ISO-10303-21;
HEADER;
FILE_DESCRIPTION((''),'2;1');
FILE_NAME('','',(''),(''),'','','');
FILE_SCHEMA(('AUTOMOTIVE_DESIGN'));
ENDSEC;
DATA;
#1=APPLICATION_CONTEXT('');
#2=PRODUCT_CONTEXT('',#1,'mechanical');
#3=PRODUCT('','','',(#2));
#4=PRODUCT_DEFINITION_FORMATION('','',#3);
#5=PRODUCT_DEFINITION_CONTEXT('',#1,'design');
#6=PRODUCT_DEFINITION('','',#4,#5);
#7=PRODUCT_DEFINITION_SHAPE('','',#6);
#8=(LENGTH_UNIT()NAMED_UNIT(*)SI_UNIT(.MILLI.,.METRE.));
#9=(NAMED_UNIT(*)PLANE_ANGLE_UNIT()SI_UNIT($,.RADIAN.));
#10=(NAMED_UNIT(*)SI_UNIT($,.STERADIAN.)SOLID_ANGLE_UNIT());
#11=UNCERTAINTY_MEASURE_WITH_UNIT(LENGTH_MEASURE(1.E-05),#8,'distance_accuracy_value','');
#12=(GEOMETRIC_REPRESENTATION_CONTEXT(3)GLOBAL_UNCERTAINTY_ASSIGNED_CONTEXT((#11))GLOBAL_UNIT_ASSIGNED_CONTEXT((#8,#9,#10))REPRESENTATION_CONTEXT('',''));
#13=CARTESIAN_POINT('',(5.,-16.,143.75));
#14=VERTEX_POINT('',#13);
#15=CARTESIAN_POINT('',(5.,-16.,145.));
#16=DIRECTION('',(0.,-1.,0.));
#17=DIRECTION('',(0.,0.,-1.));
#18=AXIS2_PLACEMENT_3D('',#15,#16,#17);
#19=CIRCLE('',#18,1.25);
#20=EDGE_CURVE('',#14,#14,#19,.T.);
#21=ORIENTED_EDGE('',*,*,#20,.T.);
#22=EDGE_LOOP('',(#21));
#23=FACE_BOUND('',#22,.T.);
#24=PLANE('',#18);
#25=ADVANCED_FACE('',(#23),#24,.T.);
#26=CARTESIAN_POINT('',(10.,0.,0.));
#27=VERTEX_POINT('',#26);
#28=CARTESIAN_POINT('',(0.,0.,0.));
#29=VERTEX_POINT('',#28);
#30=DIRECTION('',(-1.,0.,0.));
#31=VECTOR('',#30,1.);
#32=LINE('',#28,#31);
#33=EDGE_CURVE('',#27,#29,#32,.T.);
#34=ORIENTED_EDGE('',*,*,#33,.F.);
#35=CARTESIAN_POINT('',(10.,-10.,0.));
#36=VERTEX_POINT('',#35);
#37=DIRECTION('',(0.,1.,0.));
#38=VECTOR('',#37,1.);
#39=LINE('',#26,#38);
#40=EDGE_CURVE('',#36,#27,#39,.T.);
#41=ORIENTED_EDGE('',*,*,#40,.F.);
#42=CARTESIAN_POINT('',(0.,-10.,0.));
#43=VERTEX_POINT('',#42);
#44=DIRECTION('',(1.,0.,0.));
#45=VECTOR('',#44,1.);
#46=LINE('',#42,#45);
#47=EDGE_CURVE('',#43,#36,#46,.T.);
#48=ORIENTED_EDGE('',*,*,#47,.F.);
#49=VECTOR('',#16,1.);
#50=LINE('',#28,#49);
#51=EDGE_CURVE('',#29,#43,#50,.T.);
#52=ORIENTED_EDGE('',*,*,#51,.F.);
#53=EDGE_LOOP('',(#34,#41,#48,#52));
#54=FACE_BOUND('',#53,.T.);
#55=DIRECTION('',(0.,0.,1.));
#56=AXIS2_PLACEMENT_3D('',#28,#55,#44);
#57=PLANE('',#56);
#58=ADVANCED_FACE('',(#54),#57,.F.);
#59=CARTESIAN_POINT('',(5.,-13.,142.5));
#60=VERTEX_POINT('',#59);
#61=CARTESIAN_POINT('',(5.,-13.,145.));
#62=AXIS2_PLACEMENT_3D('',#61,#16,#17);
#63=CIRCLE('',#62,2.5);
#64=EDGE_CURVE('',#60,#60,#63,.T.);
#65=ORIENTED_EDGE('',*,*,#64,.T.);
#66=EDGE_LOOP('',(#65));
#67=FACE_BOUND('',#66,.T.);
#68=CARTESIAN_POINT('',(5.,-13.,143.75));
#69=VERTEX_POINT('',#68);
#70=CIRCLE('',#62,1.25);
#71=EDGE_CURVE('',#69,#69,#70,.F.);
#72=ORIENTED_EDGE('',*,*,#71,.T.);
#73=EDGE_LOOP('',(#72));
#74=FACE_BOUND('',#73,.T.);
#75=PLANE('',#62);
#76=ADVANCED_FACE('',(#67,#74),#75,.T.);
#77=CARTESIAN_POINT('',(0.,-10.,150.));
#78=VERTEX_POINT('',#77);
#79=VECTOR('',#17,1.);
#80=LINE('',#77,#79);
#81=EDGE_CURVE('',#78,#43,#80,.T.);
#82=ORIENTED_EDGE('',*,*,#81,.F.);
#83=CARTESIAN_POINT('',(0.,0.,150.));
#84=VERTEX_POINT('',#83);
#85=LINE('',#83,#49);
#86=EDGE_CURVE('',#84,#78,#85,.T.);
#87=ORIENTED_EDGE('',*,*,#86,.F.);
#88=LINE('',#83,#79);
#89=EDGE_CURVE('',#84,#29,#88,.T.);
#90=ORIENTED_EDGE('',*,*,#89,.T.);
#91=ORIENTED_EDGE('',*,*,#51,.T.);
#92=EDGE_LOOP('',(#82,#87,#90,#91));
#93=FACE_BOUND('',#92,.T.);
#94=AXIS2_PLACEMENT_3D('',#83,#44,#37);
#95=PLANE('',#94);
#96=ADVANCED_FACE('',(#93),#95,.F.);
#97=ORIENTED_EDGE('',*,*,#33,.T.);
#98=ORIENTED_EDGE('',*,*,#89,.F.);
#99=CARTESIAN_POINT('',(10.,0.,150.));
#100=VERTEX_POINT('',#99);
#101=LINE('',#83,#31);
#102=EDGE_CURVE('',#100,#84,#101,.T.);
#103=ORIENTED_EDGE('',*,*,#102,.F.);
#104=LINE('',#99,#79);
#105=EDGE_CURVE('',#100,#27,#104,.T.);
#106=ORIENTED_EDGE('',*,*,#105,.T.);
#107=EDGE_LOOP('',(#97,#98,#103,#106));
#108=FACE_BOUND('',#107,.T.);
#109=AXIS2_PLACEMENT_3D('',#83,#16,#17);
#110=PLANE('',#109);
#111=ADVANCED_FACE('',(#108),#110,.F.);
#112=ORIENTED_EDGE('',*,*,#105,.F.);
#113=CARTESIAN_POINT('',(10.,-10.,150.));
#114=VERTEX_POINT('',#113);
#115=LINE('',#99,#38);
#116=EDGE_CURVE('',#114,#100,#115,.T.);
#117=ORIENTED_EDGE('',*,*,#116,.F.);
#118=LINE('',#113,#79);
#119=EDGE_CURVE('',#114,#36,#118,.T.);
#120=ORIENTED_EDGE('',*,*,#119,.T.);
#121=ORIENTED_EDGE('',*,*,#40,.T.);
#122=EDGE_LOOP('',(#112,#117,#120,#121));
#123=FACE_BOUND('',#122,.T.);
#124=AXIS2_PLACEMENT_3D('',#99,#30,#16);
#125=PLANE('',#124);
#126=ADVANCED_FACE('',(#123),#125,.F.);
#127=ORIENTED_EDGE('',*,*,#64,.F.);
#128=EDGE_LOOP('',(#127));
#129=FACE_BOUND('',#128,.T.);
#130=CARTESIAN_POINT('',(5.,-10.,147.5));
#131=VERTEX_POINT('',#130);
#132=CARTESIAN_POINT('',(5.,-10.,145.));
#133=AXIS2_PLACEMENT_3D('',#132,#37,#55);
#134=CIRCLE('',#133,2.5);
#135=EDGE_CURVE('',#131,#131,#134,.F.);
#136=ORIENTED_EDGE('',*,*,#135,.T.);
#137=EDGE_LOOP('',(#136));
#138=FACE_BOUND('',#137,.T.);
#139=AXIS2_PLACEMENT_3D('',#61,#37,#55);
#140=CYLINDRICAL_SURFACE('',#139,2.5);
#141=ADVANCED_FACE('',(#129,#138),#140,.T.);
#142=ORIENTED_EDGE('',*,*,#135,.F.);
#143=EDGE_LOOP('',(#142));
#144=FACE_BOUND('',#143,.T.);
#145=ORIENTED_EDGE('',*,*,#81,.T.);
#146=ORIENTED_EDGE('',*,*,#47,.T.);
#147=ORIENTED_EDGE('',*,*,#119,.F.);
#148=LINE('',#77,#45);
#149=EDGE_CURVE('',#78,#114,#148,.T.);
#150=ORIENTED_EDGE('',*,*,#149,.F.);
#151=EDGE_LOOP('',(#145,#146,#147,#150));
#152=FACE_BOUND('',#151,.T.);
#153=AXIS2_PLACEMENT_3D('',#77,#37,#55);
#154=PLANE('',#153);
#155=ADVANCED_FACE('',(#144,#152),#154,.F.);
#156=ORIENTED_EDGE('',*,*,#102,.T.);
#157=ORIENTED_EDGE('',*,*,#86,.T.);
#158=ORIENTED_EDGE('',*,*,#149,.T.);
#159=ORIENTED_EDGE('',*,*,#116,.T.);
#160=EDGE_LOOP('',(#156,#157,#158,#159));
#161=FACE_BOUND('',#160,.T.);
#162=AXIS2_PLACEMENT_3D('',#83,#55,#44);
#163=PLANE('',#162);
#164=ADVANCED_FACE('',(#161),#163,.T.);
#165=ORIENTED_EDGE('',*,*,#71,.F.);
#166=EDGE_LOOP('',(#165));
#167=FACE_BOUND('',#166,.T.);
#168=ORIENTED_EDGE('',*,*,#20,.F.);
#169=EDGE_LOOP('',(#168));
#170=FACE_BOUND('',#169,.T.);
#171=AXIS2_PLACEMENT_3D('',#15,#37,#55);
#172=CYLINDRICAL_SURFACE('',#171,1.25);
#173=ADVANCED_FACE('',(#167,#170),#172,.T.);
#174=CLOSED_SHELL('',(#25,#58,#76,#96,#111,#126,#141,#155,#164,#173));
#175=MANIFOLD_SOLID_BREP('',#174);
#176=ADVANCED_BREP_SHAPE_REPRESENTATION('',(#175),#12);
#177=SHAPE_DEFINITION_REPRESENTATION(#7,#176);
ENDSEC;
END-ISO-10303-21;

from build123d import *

# Parameters (mm, degrees)
SKETCH1_W           = 10
SKETCH1_H           = 10
BOSS_EXTRUDE1_DEPTH = 150
SKETCH2_R           = 2.5
BOSS_EXTRUDE2_DEPTH = 3
SKETCH3_R           = 1.25
BOSS_EXTRUDE3_DEPTH = 6


with BuildPart() as part:
    # Sketch1 → Boss-Extrude1 (new body)
    with BuildSketch(Plane.XY):
        with Locations((5, -5)):
            Rectangle(SKETCH1_W, SKETCH1_H)
    extrude(amount=BOSS_EXTRUDE1_DEPTH)

    # Sketch2 → Boss-Extrude2 (add)
    with BuildSketch(Plane.XZ.offset(10)):
        with Locations(Location((5, 145, 0), (0, 0, 90))):
            Circle(SKETCH2_R)
    extrude(amount=BOSS_EXTRUDE2_DEPTH)

    # Sketch3 → Boss-Extrude3 (add)
    with BuildSketch(Plane.XZ.offset(10)):
        with Locations(Location((5, 145, 0), (0, 0, 270))):
            Circle(SKETCH3_R)
    extrude(amount=BOSS_EXTRUDE3_DEPTH)


solid = part.part
